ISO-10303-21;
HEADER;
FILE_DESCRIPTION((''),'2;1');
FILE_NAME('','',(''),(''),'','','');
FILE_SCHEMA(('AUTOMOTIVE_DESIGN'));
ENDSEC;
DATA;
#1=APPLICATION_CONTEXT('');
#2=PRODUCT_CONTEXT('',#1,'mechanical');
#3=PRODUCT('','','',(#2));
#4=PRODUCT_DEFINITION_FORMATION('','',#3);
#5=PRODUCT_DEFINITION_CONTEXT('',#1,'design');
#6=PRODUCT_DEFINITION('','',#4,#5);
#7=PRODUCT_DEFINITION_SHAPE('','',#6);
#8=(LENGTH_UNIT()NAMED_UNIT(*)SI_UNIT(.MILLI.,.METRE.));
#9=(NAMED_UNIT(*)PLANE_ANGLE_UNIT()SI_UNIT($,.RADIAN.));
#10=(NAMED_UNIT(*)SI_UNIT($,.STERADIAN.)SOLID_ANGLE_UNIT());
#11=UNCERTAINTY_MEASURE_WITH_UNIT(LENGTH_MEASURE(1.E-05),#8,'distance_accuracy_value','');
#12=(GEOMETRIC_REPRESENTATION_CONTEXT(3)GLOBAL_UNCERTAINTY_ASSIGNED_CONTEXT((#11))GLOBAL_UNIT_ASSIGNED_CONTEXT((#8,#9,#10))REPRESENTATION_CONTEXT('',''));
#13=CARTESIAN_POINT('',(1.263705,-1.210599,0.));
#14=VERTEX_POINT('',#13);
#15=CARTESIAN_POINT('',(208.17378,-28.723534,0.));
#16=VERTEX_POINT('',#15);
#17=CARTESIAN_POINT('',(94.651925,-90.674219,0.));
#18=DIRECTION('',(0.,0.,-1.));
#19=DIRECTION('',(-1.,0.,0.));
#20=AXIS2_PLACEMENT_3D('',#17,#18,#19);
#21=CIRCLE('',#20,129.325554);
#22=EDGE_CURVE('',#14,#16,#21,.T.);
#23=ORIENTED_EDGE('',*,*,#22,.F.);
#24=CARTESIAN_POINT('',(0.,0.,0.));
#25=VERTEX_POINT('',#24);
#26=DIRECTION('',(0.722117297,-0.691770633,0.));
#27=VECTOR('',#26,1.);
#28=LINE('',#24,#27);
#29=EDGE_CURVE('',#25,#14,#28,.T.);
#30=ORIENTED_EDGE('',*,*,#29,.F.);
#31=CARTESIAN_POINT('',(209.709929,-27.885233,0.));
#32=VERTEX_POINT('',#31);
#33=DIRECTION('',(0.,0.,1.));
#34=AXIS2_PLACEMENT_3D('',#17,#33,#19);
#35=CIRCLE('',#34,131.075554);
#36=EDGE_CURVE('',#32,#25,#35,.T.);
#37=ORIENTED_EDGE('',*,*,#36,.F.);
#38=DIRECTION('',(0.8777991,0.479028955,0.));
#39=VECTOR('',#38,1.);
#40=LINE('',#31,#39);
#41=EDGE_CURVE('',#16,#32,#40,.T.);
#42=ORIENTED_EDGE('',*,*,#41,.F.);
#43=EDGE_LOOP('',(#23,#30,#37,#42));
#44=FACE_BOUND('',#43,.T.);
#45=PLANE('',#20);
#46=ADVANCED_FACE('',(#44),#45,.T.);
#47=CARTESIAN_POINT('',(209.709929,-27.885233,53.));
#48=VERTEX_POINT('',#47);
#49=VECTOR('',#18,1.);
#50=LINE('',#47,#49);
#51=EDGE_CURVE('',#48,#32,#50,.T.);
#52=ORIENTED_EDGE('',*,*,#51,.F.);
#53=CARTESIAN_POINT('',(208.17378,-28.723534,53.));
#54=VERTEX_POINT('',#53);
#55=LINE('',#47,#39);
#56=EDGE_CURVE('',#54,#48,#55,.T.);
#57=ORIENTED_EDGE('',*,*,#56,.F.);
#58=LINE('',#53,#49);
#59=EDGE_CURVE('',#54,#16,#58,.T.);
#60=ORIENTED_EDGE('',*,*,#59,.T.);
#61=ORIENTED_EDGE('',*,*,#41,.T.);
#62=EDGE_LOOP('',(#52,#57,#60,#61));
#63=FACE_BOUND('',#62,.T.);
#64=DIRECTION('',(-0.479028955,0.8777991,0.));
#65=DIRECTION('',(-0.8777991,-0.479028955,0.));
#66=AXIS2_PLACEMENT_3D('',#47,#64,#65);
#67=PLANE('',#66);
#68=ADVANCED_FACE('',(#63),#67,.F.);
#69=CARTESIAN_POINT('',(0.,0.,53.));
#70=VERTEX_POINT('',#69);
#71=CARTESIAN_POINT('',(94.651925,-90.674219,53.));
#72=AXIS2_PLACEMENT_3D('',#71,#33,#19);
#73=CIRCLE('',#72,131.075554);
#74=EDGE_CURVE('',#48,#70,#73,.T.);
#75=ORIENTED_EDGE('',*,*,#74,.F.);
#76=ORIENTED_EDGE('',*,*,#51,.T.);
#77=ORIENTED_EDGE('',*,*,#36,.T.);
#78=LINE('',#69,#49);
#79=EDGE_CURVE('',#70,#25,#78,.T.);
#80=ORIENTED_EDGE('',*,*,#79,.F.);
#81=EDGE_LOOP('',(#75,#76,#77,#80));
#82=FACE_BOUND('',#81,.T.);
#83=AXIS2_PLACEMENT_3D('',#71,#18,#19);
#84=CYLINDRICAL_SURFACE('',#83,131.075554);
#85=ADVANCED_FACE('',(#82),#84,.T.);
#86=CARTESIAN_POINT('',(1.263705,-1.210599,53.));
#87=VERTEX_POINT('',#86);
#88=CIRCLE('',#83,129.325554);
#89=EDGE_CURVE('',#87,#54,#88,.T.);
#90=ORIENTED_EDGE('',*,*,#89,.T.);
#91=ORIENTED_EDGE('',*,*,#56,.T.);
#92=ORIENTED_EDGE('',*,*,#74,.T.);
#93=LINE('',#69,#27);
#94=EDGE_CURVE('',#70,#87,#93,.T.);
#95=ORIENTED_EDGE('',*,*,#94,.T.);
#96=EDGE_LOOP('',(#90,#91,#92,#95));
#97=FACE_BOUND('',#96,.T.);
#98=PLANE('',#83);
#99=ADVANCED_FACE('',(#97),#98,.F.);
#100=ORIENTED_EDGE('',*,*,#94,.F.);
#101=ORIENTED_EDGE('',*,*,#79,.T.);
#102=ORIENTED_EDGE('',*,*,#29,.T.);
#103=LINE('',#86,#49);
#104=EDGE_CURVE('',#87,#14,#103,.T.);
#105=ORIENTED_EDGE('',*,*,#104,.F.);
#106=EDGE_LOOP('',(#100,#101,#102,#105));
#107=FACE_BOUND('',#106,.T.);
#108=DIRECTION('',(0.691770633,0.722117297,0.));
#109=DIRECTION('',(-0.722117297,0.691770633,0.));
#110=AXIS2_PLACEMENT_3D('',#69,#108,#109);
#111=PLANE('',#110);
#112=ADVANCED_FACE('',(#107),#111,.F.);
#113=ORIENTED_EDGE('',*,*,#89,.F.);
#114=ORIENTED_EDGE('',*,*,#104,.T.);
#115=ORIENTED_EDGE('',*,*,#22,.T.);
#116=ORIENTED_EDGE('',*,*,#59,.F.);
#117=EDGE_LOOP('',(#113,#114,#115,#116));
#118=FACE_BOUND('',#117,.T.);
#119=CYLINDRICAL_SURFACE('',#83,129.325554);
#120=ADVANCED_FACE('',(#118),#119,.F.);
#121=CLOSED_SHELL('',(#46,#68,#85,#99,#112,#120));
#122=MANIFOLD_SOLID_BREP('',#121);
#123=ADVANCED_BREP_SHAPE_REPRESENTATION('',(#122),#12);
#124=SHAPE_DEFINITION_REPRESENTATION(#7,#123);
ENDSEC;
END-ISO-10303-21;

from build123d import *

# Parameters (mm, degrees)
BOSS_EXTRUDE1_DEPTH = 53


with BuildPart() as part:
    # Sketch1 → Boss-Extrude1 (new body)
    with BuildSketch(Plane.XY):
        with BuildLine():
            Line((0, 0), (1.26370527, -1.210598608))
            ThreePointArc((1.26370527, -1.210598608), (111.698368144, 37.522963954), (208.173780211, -28.723534063))
            Line((208.173780211, -28.723534063), (209.709928636, -27.885233391))
            ThreePointArc((209.709928636, -27.885233391), (111.92903621, 39.257695127), (0, 0))
        make_face()
    extrude(amount=BOSS_EXTRUDE1_DEPTH)


solid = part.part
